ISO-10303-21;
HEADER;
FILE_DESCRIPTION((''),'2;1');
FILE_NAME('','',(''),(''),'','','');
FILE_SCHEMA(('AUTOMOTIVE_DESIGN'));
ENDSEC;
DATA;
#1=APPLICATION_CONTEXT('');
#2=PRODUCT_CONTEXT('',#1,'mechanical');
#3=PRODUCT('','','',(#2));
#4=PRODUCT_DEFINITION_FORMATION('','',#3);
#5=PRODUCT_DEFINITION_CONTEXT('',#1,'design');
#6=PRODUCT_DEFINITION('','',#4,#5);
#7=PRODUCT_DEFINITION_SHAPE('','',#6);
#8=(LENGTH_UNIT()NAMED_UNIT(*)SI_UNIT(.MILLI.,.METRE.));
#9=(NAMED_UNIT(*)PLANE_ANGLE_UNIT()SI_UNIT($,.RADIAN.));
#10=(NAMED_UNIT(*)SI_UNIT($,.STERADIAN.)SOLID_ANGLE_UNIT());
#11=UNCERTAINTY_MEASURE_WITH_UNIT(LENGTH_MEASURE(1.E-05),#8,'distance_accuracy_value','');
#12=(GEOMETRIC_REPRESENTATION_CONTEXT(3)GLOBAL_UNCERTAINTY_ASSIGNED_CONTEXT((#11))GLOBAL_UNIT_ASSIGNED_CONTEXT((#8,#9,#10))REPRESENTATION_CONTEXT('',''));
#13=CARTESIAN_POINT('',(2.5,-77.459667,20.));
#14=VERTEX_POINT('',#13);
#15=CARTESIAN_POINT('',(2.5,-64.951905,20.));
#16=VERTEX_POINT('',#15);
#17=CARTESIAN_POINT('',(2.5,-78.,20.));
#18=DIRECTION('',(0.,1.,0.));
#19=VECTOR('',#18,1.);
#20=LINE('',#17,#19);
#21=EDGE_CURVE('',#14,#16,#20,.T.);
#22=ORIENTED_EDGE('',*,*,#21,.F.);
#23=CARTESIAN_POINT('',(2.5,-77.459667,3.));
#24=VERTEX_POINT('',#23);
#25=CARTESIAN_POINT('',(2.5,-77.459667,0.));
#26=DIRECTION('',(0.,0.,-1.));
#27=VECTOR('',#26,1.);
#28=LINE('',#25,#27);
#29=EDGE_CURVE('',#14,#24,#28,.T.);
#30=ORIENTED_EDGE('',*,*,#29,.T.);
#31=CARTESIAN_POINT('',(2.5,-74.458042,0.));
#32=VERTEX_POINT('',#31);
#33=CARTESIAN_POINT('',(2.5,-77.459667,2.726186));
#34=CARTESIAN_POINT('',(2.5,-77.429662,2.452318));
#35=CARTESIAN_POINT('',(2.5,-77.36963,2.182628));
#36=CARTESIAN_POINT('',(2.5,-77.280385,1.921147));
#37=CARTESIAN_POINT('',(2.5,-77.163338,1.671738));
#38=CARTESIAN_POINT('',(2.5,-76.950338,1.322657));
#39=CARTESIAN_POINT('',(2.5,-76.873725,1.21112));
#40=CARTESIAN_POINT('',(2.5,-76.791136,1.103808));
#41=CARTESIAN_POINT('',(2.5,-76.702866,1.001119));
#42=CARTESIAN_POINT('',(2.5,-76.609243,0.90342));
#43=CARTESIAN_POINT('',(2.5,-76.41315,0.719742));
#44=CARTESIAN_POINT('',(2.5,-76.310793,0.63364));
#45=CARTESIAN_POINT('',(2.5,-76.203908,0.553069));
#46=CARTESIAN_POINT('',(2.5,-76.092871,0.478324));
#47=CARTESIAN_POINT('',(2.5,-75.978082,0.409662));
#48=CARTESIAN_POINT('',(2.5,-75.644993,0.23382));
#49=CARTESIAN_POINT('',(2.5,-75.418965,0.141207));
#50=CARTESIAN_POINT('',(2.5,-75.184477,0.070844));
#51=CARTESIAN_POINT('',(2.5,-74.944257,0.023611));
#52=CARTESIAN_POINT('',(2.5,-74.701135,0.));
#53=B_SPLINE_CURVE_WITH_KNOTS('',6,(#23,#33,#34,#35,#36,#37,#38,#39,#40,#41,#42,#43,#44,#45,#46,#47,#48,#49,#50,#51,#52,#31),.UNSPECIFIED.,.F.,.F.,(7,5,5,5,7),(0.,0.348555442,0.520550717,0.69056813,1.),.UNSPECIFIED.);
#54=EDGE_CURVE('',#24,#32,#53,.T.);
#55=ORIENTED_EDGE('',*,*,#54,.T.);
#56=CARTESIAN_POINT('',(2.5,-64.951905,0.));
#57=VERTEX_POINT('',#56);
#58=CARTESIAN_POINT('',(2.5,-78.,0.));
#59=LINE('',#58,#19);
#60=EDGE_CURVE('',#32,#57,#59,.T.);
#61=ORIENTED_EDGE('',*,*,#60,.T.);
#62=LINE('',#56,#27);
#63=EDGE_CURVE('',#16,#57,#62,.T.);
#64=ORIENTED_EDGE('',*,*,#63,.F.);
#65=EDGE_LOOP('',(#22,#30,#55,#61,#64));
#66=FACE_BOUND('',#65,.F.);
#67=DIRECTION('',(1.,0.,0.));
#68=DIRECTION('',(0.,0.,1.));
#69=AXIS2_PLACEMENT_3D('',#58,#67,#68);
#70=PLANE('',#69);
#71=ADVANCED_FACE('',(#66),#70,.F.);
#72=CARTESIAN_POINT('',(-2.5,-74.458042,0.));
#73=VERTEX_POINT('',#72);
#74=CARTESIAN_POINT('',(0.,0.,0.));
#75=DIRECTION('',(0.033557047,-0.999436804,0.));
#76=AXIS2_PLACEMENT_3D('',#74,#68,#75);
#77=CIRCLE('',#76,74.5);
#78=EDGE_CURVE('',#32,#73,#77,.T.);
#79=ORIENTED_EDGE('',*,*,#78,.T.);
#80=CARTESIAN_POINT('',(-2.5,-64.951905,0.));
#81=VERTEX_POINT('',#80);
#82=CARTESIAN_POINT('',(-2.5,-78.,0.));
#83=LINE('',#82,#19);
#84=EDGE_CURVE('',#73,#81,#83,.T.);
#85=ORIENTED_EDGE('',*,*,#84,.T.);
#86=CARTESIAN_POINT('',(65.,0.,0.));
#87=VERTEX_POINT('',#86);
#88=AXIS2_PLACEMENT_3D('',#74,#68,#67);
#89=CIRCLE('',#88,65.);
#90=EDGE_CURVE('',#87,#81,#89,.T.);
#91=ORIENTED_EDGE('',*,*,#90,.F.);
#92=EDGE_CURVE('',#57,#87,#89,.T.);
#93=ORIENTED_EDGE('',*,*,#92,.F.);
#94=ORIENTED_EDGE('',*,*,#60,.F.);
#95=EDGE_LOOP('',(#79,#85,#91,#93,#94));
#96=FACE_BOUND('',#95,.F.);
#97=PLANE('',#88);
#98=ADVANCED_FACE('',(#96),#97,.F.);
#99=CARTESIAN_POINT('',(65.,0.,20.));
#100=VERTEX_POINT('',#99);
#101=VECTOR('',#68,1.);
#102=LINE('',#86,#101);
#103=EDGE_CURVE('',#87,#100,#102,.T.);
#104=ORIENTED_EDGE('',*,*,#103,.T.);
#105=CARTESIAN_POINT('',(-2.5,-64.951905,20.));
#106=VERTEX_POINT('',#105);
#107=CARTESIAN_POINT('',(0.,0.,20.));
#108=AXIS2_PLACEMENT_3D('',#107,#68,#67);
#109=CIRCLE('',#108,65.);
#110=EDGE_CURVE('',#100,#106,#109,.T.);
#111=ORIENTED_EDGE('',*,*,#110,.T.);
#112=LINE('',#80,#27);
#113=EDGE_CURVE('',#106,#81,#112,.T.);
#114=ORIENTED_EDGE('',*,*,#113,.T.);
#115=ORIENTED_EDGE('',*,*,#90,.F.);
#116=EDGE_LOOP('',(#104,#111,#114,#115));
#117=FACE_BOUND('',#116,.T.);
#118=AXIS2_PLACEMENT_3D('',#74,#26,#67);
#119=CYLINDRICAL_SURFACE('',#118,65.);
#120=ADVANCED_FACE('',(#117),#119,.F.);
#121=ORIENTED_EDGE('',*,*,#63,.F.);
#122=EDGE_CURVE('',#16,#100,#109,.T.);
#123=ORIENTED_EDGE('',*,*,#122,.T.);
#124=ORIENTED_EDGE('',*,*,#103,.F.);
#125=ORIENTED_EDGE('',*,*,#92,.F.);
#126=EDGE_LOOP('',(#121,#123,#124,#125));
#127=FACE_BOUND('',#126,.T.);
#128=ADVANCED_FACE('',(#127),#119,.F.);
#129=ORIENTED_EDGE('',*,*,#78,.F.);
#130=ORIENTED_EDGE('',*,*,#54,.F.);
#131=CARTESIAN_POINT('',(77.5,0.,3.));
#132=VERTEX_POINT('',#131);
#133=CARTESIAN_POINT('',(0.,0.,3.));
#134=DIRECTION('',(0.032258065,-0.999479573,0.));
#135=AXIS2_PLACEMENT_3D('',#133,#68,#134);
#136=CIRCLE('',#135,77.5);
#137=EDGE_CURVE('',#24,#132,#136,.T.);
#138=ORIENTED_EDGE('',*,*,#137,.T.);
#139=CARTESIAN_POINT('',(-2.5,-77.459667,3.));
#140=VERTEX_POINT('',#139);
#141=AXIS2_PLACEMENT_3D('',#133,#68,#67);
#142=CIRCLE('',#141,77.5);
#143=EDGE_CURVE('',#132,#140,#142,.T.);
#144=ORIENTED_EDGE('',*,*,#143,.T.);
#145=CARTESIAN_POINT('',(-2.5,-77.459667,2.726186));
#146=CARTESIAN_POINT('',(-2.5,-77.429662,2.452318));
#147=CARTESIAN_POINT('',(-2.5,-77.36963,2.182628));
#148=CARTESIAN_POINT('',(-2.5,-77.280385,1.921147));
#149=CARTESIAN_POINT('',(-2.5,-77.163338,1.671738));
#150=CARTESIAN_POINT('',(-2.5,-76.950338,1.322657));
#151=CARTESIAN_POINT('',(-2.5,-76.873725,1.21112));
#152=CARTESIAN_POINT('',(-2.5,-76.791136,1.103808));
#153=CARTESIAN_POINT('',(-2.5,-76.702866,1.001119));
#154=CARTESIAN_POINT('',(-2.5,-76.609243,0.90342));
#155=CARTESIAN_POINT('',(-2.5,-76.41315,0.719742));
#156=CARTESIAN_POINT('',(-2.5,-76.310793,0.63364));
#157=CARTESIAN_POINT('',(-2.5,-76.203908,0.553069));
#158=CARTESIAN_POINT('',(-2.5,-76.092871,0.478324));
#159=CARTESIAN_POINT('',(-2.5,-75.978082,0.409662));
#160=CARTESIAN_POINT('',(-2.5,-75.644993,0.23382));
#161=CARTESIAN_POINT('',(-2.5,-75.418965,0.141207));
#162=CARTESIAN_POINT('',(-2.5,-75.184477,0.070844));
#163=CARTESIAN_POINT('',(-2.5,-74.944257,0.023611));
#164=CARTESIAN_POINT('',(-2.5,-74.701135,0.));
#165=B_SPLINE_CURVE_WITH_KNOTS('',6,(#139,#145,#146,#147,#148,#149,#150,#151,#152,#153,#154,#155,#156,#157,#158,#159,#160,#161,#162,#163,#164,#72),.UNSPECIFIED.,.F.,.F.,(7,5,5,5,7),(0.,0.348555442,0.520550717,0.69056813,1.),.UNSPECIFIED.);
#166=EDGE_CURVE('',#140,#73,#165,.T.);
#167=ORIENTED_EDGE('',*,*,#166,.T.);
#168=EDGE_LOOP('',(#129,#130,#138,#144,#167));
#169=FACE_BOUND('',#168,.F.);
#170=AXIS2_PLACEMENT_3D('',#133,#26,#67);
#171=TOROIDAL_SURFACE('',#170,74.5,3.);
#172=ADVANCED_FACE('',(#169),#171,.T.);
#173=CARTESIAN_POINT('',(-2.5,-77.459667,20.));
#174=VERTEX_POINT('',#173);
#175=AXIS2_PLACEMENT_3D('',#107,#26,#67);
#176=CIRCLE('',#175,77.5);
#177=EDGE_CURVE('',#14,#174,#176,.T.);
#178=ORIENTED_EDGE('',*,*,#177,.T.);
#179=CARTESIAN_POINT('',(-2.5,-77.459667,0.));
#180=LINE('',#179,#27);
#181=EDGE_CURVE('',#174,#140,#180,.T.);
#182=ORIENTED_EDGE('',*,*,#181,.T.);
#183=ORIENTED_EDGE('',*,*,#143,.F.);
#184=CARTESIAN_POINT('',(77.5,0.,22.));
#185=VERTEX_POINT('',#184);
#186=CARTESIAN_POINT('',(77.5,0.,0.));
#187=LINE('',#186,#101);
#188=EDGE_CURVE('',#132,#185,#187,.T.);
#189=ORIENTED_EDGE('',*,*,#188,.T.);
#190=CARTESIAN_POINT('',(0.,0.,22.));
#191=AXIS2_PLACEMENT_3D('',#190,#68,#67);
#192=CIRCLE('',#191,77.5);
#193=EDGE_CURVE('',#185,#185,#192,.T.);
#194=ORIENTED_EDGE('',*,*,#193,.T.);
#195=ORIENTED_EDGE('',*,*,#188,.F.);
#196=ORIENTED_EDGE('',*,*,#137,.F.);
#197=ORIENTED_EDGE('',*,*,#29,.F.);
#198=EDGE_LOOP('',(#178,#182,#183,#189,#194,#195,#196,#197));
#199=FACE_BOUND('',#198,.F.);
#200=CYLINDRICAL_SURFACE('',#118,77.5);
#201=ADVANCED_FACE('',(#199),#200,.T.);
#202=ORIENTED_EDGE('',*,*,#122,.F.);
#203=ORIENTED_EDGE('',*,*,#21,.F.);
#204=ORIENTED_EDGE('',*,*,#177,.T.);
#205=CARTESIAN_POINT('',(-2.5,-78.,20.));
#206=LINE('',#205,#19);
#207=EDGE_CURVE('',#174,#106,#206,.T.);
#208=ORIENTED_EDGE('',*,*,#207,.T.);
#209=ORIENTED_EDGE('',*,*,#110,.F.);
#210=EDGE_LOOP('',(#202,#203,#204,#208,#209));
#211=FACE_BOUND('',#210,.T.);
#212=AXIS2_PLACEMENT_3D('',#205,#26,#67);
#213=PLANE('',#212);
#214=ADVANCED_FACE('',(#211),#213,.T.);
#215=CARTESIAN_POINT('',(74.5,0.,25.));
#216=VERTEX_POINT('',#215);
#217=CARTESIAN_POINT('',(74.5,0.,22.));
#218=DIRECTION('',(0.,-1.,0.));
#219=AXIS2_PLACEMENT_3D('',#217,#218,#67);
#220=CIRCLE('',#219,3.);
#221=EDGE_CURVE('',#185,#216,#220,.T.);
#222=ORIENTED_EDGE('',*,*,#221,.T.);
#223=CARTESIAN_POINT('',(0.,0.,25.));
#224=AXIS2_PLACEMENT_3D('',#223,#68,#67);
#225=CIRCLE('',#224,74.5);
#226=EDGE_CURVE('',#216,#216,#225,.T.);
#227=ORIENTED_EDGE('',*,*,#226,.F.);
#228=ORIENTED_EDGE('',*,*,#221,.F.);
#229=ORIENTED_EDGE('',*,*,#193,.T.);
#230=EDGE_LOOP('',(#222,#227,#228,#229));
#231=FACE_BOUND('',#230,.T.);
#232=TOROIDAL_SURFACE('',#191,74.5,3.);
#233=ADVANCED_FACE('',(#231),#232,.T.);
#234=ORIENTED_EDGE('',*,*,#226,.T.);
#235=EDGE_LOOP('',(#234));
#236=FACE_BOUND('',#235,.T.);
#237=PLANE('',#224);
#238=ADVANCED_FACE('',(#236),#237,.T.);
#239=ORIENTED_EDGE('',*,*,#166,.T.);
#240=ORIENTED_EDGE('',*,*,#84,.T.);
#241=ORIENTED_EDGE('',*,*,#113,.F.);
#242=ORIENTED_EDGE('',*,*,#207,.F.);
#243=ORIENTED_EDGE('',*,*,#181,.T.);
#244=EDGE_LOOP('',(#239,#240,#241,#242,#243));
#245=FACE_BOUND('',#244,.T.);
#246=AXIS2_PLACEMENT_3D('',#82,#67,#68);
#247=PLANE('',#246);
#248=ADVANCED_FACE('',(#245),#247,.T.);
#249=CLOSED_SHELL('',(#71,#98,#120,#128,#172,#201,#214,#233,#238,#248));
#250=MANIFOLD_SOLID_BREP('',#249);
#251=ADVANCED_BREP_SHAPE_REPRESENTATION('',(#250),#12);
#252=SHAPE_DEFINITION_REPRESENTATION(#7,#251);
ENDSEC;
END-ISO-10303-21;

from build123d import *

# Parameters (mm, degrees)
SKETCH_R        = 77.5
PAD_DEPTH       = 25
FILLET_R        = 3
SKETCH001_R     = 65
POCKET_DEPTH    = 20
SKETCH002_W     = 5
SKETCH002_H     = 20
POCKET001_DEPTH = 15
FILLET001_R     = 3


with BuildPart() as part:
    # Sketch → Pad (new body)
    with BuildSketch(Plane.XY):
        Circle(SKETCH_R)
    extrude(amount=PAD_DEPTH)

    # Fillet
    fillet_edges = [part.edges().sort_by_distance(p)[0] for p in [
        (-77.5, 0, 25),
    ]]
    fillet(fillet_edges, radius=FILLET_R)

    # Sketch001 → Pocket (cut)
    with BuildSketch(Plane.XY):
        Circle(SKETCH001_R)
    extrude(amount=POCKET_DEPTH, mode=Mode.SUBTRACT)

    # Sketch002 → Pocket001 (cut)
    with BuildSketch(Plane.XZ.offset(78)):
        with Locations((0, 10)):
            Rectangle(SKETCH002_W, SKETCH002_H)
    extrude(amount=-POCKET001_DEPTH, mode=Mode.SUBTRACT)

    # Fillet001
    fillet001_edges = [part.edges().sort_by_distance(p)[0] for p in [
        (55.677644, -53.909647, 0),
        (-53.909647, 55.677644, 0),
    ]]
    fillet(fillet001_edges, radius=FILLET001_R)


solid = part.part
